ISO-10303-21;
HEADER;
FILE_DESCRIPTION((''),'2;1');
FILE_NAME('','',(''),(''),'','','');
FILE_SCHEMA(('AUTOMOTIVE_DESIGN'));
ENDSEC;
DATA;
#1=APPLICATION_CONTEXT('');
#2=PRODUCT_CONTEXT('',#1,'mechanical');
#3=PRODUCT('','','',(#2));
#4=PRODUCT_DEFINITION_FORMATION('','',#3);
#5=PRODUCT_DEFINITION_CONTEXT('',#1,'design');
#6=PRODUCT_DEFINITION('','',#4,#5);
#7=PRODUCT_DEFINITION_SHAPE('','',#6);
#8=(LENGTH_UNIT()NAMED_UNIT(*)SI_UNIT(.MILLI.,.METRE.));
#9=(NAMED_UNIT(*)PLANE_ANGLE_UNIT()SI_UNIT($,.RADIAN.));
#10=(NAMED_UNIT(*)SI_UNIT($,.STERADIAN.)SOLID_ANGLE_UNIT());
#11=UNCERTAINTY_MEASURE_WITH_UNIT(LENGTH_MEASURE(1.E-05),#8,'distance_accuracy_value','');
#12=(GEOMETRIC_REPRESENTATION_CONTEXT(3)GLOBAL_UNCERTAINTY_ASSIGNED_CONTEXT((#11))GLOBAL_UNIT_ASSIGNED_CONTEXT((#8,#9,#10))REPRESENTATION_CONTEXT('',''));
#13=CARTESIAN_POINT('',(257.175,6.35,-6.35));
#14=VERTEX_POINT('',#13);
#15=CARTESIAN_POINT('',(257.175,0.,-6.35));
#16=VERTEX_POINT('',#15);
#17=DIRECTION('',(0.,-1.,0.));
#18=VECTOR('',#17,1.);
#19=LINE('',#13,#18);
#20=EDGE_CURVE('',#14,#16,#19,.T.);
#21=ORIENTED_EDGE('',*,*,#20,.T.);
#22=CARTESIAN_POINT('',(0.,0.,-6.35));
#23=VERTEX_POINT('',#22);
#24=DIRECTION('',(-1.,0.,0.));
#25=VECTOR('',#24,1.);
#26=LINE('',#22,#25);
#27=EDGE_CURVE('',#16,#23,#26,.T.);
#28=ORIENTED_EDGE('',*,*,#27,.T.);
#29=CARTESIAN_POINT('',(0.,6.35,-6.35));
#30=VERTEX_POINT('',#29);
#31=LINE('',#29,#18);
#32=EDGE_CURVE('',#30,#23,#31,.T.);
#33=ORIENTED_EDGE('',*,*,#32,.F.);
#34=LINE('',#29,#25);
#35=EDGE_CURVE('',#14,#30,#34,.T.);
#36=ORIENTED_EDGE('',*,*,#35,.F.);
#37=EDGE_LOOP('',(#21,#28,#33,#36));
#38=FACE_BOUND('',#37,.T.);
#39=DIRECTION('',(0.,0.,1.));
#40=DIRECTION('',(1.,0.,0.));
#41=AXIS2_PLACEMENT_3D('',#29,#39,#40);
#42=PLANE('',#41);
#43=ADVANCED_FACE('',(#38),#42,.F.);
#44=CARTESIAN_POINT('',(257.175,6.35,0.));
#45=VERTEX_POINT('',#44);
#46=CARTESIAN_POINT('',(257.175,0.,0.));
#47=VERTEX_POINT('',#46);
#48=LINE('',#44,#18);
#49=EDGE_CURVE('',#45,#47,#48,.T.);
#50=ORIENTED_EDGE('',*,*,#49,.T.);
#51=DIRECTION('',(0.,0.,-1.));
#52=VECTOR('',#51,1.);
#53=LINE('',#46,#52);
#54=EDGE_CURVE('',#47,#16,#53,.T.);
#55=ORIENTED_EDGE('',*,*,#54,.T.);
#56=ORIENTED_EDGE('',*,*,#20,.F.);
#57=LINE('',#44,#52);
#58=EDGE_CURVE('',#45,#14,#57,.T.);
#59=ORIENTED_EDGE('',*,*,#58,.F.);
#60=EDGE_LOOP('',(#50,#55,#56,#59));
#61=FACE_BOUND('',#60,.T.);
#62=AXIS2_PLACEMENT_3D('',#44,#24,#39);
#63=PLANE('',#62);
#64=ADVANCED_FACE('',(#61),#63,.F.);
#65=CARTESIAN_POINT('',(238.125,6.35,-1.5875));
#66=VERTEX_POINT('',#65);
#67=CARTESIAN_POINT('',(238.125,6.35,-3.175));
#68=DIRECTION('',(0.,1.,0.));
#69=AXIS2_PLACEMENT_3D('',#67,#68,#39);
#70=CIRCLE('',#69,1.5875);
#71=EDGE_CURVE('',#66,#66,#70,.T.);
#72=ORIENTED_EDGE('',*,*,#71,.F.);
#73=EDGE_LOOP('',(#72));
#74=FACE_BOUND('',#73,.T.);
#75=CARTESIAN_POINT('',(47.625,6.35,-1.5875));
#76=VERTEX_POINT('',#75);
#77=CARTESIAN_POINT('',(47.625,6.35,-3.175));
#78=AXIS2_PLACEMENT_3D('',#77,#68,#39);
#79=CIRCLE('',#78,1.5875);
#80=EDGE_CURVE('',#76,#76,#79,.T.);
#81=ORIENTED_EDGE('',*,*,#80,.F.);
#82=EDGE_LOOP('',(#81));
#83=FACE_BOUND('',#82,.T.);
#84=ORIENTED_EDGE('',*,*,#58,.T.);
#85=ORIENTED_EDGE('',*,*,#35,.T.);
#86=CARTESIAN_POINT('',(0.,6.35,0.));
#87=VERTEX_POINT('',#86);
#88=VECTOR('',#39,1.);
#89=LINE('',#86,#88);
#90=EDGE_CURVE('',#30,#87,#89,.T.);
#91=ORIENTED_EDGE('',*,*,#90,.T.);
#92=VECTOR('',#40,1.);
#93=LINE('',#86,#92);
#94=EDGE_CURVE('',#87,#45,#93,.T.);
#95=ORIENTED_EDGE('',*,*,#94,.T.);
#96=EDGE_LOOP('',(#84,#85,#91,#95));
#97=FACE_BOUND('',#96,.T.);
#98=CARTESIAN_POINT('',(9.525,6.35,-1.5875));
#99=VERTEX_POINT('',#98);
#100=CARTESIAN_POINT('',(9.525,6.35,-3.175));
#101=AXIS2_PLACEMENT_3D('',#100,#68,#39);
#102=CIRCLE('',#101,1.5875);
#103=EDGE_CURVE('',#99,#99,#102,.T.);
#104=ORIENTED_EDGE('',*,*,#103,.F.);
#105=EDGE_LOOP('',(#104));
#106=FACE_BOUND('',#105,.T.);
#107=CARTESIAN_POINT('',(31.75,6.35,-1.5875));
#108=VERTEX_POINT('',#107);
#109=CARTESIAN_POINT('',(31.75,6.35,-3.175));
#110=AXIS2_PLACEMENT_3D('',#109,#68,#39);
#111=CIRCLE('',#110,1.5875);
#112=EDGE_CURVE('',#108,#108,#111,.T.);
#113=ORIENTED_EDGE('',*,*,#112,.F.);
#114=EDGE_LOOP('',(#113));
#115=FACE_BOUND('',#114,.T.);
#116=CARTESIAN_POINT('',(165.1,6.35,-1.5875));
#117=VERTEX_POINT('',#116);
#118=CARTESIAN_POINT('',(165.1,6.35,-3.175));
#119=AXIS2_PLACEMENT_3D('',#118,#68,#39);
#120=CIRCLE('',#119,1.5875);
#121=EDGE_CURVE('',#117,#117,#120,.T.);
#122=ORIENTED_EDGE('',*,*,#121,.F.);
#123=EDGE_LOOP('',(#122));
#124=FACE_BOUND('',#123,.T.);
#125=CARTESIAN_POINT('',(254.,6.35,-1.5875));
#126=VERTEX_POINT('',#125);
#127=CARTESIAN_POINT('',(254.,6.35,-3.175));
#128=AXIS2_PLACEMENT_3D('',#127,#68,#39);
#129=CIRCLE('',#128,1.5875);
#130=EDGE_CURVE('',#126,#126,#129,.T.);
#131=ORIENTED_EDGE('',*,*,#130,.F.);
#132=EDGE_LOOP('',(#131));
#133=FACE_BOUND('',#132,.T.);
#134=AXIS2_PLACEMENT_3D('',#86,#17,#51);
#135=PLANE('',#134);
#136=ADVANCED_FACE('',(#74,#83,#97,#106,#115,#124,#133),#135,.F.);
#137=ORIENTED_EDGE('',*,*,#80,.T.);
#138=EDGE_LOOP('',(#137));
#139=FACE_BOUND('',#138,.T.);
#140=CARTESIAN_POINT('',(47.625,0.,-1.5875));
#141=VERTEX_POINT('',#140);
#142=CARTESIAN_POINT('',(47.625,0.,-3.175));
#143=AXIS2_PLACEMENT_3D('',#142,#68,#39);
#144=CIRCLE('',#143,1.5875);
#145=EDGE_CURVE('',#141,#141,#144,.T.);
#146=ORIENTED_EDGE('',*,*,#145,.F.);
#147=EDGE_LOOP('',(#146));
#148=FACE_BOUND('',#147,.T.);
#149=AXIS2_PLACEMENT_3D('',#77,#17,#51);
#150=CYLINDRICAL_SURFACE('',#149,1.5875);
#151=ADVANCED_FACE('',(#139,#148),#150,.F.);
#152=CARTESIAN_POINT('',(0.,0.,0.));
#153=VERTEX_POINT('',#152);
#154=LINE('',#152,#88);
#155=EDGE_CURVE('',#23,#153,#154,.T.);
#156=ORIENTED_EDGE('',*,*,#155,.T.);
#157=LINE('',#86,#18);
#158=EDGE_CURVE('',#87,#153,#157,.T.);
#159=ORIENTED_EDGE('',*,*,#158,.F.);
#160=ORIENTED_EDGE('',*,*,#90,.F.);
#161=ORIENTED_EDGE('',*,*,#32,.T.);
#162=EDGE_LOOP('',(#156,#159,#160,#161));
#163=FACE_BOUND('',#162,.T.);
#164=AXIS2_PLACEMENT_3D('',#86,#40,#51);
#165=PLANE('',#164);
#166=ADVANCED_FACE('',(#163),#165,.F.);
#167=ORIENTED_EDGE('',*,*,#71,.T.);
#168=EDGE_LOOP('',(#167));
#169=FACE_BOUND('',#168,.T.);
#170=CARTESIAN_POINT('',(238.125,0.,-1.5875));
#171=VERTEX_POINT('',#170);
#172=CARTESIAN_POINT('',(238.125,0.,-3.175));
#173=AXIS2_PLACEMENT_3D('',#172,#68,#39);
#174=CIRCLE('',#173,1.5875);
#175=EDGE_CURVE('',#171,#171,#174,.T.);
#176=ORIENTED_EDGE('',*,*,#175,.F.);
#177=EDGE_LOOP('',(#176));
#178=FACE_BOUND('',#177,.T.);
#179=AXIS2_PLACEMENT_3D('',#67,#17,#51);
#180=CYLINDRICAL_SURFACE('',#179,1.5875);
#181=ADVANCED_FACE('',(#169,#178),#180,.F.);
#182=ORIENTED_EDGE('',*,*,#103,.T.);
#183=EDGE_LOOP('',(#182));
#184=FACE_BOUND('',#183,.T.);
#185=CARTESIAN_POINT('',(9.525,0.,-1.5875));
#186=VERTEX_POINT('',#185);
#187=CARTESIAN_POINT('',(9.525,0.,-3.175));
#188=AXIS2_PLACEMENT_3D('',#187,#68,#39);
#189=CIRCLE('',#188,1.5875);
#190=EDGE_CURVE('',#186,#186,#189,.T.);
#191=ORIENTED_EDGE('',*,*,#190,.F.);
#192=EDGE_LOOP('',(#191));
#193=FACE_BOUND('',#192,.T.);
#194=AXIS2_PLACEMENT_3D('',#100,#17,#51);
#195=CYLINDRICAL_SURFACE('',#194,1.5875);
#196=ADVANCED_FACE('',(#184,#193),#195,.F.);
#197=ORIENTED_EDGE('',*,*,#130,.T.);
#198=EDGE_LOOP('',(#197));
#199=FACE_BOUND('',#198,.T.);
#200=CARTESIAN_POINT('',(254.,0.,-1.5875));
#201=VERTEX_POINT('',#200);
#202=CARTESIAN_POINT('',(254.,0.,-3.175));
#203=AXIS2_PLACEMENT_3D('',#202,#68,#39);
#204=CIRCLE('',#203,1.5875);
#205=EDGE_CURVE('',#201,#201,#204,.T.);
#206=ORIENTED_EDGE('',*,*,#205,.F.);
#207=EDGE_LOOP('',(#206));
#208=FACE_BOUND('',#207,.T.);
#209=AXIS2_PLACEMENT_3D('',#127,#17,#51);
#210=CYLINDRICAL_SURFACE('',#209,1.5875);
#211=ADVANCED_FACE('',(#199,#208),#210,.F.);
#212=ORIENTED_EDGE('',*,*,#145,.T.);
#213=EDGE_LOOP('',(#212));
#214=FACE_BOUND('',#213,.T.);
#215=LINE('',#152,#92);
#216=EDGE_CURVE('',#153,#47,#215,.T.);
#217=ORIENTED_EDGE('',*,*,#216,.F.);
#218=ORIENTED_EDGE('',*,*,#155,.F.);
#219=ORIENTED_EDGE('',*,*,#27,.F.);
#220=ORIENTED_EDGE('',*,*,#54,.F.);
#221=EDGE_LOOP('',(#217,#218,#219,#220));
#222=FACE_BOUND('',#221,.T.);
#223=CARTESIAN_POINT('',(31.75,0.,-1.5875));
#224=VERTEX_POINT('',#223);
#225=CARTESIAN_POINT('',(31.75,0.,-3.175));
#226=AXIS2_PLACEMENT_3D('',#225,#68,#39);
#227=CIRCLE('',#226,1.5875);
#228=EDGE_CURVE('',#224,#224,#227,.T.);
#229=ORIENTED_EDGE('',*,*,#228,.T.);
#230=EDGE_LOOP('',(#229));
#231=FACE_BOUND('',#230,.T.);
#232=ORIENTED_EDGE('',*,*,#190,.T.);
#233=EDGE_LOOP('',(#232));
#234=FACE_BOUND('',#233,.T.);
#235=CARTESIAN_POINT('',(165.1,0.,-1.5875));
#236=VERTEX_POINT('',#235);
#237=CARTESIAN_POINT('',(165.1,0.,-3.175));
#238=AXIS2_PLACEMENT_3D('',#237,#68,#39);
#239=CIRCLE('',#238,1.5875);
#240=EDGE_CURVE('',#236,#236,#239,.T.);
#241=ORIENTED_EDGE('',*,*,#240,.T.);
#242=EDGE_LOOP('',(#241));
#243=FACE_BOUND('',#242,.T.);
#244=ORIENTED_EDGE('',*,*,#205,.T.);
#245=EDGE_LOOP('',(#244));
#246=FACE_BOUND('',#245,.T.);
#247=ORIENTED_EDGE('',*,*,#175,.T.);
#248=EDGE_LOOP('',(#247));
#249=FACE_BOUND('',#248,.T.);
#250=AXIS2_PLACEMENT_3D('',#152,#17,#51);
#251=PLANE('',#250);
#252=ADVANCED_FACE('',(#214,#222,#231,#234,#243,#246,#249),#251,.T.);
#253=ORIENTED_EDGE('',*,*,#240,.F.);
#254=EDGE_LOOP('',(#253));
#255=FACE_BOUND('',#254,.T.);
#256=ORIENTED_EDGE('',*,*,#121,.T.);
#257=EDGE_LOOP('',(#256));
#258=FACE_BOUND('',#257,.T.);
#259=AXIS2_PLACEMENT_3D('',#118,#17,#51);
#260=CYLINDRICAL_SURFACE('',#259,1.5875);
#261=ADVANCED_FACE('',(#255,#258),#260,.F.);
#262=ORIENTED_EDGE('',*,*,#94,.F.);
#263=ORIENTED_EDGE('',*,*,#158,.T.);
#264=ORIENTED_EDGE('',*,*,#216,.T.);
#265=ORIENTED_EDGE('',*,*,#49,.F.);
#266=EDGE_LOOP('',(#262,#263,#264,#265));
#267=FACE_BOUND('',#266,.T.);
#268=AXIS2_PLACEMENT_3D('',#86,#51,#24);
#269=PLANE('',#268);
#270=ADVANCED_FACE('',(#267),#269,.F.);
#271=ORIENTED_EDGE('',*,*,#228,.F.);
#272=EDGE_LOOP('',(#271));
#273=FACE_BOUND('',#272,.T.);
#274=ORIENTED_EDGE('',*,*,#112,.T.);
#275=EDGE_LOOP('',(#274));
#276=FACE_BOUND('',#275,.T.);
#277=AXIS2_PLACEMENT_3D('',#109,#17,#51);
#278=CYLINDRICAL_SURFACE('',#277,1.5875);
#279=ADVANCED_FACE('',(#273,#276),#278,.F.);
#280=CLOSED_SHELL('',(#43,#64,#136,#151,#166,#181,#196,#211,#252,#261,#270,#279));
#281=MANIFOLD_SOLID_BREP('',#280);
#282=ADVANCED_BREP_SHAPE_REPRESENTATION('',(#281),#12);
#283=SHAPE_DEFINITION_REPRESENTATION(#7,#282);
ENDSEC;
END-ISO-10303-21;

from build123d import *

# Parameters (mm, degrees)
SKETCH1_W           = 257.175
SKETCH1_H           = 6.35
SKETCH1_R           = 1.5875
BOSS_EXTRUDE1_DEPTH = 6.35


with BuildPart() as part:
    # Sketch1 → Boss-Extrude1 (new body)
    with BuildSketch(Plane(origin=(0, 0, 0), x_dir=(1, 0, 0), z_dir=(0, 1, 0))):
        with Locations((128.5875, 3.175)):
            Rectangle(SKETCH1_W, SKETCH1_H)
        with Locations(Location((31.75, 3.175, 0), (0, 0, 270))):
            Circle(SKETCH1_R, mode=Mode.SUBTRACT)
        with Locations(Location((165.1, 3.175, 0), (0, 0, 270))):
            Circle(SKETCH1_R, mode=Mode.SUBTRACT)
        with Locations(Location((238.125, 3.175, 0), (0, 0, 270))):
            Circle(SKETCH1_R, mode=Mode.SUBTRACT)
        with Locations(Location((9.525, 3.175, 0), (0, 0, 270))):
            Circle(SKETCH1_R, mode=Mode.SUBTRACT)
        with Locations(Location((47.625, 3.175, 0), (0, 0, 270))):
            Circle(SKETCH1_R, mode=Mode.SUBTRACT)
        with Locations(Location((254, 3.175, 0), (0, 0, 270))):
            Circle(SKETCH1_R, mode=Mode.SUBTRACT)
    extrude(amount=BOSS_EXTRUDE1_DEPTH)


solid = part.part
